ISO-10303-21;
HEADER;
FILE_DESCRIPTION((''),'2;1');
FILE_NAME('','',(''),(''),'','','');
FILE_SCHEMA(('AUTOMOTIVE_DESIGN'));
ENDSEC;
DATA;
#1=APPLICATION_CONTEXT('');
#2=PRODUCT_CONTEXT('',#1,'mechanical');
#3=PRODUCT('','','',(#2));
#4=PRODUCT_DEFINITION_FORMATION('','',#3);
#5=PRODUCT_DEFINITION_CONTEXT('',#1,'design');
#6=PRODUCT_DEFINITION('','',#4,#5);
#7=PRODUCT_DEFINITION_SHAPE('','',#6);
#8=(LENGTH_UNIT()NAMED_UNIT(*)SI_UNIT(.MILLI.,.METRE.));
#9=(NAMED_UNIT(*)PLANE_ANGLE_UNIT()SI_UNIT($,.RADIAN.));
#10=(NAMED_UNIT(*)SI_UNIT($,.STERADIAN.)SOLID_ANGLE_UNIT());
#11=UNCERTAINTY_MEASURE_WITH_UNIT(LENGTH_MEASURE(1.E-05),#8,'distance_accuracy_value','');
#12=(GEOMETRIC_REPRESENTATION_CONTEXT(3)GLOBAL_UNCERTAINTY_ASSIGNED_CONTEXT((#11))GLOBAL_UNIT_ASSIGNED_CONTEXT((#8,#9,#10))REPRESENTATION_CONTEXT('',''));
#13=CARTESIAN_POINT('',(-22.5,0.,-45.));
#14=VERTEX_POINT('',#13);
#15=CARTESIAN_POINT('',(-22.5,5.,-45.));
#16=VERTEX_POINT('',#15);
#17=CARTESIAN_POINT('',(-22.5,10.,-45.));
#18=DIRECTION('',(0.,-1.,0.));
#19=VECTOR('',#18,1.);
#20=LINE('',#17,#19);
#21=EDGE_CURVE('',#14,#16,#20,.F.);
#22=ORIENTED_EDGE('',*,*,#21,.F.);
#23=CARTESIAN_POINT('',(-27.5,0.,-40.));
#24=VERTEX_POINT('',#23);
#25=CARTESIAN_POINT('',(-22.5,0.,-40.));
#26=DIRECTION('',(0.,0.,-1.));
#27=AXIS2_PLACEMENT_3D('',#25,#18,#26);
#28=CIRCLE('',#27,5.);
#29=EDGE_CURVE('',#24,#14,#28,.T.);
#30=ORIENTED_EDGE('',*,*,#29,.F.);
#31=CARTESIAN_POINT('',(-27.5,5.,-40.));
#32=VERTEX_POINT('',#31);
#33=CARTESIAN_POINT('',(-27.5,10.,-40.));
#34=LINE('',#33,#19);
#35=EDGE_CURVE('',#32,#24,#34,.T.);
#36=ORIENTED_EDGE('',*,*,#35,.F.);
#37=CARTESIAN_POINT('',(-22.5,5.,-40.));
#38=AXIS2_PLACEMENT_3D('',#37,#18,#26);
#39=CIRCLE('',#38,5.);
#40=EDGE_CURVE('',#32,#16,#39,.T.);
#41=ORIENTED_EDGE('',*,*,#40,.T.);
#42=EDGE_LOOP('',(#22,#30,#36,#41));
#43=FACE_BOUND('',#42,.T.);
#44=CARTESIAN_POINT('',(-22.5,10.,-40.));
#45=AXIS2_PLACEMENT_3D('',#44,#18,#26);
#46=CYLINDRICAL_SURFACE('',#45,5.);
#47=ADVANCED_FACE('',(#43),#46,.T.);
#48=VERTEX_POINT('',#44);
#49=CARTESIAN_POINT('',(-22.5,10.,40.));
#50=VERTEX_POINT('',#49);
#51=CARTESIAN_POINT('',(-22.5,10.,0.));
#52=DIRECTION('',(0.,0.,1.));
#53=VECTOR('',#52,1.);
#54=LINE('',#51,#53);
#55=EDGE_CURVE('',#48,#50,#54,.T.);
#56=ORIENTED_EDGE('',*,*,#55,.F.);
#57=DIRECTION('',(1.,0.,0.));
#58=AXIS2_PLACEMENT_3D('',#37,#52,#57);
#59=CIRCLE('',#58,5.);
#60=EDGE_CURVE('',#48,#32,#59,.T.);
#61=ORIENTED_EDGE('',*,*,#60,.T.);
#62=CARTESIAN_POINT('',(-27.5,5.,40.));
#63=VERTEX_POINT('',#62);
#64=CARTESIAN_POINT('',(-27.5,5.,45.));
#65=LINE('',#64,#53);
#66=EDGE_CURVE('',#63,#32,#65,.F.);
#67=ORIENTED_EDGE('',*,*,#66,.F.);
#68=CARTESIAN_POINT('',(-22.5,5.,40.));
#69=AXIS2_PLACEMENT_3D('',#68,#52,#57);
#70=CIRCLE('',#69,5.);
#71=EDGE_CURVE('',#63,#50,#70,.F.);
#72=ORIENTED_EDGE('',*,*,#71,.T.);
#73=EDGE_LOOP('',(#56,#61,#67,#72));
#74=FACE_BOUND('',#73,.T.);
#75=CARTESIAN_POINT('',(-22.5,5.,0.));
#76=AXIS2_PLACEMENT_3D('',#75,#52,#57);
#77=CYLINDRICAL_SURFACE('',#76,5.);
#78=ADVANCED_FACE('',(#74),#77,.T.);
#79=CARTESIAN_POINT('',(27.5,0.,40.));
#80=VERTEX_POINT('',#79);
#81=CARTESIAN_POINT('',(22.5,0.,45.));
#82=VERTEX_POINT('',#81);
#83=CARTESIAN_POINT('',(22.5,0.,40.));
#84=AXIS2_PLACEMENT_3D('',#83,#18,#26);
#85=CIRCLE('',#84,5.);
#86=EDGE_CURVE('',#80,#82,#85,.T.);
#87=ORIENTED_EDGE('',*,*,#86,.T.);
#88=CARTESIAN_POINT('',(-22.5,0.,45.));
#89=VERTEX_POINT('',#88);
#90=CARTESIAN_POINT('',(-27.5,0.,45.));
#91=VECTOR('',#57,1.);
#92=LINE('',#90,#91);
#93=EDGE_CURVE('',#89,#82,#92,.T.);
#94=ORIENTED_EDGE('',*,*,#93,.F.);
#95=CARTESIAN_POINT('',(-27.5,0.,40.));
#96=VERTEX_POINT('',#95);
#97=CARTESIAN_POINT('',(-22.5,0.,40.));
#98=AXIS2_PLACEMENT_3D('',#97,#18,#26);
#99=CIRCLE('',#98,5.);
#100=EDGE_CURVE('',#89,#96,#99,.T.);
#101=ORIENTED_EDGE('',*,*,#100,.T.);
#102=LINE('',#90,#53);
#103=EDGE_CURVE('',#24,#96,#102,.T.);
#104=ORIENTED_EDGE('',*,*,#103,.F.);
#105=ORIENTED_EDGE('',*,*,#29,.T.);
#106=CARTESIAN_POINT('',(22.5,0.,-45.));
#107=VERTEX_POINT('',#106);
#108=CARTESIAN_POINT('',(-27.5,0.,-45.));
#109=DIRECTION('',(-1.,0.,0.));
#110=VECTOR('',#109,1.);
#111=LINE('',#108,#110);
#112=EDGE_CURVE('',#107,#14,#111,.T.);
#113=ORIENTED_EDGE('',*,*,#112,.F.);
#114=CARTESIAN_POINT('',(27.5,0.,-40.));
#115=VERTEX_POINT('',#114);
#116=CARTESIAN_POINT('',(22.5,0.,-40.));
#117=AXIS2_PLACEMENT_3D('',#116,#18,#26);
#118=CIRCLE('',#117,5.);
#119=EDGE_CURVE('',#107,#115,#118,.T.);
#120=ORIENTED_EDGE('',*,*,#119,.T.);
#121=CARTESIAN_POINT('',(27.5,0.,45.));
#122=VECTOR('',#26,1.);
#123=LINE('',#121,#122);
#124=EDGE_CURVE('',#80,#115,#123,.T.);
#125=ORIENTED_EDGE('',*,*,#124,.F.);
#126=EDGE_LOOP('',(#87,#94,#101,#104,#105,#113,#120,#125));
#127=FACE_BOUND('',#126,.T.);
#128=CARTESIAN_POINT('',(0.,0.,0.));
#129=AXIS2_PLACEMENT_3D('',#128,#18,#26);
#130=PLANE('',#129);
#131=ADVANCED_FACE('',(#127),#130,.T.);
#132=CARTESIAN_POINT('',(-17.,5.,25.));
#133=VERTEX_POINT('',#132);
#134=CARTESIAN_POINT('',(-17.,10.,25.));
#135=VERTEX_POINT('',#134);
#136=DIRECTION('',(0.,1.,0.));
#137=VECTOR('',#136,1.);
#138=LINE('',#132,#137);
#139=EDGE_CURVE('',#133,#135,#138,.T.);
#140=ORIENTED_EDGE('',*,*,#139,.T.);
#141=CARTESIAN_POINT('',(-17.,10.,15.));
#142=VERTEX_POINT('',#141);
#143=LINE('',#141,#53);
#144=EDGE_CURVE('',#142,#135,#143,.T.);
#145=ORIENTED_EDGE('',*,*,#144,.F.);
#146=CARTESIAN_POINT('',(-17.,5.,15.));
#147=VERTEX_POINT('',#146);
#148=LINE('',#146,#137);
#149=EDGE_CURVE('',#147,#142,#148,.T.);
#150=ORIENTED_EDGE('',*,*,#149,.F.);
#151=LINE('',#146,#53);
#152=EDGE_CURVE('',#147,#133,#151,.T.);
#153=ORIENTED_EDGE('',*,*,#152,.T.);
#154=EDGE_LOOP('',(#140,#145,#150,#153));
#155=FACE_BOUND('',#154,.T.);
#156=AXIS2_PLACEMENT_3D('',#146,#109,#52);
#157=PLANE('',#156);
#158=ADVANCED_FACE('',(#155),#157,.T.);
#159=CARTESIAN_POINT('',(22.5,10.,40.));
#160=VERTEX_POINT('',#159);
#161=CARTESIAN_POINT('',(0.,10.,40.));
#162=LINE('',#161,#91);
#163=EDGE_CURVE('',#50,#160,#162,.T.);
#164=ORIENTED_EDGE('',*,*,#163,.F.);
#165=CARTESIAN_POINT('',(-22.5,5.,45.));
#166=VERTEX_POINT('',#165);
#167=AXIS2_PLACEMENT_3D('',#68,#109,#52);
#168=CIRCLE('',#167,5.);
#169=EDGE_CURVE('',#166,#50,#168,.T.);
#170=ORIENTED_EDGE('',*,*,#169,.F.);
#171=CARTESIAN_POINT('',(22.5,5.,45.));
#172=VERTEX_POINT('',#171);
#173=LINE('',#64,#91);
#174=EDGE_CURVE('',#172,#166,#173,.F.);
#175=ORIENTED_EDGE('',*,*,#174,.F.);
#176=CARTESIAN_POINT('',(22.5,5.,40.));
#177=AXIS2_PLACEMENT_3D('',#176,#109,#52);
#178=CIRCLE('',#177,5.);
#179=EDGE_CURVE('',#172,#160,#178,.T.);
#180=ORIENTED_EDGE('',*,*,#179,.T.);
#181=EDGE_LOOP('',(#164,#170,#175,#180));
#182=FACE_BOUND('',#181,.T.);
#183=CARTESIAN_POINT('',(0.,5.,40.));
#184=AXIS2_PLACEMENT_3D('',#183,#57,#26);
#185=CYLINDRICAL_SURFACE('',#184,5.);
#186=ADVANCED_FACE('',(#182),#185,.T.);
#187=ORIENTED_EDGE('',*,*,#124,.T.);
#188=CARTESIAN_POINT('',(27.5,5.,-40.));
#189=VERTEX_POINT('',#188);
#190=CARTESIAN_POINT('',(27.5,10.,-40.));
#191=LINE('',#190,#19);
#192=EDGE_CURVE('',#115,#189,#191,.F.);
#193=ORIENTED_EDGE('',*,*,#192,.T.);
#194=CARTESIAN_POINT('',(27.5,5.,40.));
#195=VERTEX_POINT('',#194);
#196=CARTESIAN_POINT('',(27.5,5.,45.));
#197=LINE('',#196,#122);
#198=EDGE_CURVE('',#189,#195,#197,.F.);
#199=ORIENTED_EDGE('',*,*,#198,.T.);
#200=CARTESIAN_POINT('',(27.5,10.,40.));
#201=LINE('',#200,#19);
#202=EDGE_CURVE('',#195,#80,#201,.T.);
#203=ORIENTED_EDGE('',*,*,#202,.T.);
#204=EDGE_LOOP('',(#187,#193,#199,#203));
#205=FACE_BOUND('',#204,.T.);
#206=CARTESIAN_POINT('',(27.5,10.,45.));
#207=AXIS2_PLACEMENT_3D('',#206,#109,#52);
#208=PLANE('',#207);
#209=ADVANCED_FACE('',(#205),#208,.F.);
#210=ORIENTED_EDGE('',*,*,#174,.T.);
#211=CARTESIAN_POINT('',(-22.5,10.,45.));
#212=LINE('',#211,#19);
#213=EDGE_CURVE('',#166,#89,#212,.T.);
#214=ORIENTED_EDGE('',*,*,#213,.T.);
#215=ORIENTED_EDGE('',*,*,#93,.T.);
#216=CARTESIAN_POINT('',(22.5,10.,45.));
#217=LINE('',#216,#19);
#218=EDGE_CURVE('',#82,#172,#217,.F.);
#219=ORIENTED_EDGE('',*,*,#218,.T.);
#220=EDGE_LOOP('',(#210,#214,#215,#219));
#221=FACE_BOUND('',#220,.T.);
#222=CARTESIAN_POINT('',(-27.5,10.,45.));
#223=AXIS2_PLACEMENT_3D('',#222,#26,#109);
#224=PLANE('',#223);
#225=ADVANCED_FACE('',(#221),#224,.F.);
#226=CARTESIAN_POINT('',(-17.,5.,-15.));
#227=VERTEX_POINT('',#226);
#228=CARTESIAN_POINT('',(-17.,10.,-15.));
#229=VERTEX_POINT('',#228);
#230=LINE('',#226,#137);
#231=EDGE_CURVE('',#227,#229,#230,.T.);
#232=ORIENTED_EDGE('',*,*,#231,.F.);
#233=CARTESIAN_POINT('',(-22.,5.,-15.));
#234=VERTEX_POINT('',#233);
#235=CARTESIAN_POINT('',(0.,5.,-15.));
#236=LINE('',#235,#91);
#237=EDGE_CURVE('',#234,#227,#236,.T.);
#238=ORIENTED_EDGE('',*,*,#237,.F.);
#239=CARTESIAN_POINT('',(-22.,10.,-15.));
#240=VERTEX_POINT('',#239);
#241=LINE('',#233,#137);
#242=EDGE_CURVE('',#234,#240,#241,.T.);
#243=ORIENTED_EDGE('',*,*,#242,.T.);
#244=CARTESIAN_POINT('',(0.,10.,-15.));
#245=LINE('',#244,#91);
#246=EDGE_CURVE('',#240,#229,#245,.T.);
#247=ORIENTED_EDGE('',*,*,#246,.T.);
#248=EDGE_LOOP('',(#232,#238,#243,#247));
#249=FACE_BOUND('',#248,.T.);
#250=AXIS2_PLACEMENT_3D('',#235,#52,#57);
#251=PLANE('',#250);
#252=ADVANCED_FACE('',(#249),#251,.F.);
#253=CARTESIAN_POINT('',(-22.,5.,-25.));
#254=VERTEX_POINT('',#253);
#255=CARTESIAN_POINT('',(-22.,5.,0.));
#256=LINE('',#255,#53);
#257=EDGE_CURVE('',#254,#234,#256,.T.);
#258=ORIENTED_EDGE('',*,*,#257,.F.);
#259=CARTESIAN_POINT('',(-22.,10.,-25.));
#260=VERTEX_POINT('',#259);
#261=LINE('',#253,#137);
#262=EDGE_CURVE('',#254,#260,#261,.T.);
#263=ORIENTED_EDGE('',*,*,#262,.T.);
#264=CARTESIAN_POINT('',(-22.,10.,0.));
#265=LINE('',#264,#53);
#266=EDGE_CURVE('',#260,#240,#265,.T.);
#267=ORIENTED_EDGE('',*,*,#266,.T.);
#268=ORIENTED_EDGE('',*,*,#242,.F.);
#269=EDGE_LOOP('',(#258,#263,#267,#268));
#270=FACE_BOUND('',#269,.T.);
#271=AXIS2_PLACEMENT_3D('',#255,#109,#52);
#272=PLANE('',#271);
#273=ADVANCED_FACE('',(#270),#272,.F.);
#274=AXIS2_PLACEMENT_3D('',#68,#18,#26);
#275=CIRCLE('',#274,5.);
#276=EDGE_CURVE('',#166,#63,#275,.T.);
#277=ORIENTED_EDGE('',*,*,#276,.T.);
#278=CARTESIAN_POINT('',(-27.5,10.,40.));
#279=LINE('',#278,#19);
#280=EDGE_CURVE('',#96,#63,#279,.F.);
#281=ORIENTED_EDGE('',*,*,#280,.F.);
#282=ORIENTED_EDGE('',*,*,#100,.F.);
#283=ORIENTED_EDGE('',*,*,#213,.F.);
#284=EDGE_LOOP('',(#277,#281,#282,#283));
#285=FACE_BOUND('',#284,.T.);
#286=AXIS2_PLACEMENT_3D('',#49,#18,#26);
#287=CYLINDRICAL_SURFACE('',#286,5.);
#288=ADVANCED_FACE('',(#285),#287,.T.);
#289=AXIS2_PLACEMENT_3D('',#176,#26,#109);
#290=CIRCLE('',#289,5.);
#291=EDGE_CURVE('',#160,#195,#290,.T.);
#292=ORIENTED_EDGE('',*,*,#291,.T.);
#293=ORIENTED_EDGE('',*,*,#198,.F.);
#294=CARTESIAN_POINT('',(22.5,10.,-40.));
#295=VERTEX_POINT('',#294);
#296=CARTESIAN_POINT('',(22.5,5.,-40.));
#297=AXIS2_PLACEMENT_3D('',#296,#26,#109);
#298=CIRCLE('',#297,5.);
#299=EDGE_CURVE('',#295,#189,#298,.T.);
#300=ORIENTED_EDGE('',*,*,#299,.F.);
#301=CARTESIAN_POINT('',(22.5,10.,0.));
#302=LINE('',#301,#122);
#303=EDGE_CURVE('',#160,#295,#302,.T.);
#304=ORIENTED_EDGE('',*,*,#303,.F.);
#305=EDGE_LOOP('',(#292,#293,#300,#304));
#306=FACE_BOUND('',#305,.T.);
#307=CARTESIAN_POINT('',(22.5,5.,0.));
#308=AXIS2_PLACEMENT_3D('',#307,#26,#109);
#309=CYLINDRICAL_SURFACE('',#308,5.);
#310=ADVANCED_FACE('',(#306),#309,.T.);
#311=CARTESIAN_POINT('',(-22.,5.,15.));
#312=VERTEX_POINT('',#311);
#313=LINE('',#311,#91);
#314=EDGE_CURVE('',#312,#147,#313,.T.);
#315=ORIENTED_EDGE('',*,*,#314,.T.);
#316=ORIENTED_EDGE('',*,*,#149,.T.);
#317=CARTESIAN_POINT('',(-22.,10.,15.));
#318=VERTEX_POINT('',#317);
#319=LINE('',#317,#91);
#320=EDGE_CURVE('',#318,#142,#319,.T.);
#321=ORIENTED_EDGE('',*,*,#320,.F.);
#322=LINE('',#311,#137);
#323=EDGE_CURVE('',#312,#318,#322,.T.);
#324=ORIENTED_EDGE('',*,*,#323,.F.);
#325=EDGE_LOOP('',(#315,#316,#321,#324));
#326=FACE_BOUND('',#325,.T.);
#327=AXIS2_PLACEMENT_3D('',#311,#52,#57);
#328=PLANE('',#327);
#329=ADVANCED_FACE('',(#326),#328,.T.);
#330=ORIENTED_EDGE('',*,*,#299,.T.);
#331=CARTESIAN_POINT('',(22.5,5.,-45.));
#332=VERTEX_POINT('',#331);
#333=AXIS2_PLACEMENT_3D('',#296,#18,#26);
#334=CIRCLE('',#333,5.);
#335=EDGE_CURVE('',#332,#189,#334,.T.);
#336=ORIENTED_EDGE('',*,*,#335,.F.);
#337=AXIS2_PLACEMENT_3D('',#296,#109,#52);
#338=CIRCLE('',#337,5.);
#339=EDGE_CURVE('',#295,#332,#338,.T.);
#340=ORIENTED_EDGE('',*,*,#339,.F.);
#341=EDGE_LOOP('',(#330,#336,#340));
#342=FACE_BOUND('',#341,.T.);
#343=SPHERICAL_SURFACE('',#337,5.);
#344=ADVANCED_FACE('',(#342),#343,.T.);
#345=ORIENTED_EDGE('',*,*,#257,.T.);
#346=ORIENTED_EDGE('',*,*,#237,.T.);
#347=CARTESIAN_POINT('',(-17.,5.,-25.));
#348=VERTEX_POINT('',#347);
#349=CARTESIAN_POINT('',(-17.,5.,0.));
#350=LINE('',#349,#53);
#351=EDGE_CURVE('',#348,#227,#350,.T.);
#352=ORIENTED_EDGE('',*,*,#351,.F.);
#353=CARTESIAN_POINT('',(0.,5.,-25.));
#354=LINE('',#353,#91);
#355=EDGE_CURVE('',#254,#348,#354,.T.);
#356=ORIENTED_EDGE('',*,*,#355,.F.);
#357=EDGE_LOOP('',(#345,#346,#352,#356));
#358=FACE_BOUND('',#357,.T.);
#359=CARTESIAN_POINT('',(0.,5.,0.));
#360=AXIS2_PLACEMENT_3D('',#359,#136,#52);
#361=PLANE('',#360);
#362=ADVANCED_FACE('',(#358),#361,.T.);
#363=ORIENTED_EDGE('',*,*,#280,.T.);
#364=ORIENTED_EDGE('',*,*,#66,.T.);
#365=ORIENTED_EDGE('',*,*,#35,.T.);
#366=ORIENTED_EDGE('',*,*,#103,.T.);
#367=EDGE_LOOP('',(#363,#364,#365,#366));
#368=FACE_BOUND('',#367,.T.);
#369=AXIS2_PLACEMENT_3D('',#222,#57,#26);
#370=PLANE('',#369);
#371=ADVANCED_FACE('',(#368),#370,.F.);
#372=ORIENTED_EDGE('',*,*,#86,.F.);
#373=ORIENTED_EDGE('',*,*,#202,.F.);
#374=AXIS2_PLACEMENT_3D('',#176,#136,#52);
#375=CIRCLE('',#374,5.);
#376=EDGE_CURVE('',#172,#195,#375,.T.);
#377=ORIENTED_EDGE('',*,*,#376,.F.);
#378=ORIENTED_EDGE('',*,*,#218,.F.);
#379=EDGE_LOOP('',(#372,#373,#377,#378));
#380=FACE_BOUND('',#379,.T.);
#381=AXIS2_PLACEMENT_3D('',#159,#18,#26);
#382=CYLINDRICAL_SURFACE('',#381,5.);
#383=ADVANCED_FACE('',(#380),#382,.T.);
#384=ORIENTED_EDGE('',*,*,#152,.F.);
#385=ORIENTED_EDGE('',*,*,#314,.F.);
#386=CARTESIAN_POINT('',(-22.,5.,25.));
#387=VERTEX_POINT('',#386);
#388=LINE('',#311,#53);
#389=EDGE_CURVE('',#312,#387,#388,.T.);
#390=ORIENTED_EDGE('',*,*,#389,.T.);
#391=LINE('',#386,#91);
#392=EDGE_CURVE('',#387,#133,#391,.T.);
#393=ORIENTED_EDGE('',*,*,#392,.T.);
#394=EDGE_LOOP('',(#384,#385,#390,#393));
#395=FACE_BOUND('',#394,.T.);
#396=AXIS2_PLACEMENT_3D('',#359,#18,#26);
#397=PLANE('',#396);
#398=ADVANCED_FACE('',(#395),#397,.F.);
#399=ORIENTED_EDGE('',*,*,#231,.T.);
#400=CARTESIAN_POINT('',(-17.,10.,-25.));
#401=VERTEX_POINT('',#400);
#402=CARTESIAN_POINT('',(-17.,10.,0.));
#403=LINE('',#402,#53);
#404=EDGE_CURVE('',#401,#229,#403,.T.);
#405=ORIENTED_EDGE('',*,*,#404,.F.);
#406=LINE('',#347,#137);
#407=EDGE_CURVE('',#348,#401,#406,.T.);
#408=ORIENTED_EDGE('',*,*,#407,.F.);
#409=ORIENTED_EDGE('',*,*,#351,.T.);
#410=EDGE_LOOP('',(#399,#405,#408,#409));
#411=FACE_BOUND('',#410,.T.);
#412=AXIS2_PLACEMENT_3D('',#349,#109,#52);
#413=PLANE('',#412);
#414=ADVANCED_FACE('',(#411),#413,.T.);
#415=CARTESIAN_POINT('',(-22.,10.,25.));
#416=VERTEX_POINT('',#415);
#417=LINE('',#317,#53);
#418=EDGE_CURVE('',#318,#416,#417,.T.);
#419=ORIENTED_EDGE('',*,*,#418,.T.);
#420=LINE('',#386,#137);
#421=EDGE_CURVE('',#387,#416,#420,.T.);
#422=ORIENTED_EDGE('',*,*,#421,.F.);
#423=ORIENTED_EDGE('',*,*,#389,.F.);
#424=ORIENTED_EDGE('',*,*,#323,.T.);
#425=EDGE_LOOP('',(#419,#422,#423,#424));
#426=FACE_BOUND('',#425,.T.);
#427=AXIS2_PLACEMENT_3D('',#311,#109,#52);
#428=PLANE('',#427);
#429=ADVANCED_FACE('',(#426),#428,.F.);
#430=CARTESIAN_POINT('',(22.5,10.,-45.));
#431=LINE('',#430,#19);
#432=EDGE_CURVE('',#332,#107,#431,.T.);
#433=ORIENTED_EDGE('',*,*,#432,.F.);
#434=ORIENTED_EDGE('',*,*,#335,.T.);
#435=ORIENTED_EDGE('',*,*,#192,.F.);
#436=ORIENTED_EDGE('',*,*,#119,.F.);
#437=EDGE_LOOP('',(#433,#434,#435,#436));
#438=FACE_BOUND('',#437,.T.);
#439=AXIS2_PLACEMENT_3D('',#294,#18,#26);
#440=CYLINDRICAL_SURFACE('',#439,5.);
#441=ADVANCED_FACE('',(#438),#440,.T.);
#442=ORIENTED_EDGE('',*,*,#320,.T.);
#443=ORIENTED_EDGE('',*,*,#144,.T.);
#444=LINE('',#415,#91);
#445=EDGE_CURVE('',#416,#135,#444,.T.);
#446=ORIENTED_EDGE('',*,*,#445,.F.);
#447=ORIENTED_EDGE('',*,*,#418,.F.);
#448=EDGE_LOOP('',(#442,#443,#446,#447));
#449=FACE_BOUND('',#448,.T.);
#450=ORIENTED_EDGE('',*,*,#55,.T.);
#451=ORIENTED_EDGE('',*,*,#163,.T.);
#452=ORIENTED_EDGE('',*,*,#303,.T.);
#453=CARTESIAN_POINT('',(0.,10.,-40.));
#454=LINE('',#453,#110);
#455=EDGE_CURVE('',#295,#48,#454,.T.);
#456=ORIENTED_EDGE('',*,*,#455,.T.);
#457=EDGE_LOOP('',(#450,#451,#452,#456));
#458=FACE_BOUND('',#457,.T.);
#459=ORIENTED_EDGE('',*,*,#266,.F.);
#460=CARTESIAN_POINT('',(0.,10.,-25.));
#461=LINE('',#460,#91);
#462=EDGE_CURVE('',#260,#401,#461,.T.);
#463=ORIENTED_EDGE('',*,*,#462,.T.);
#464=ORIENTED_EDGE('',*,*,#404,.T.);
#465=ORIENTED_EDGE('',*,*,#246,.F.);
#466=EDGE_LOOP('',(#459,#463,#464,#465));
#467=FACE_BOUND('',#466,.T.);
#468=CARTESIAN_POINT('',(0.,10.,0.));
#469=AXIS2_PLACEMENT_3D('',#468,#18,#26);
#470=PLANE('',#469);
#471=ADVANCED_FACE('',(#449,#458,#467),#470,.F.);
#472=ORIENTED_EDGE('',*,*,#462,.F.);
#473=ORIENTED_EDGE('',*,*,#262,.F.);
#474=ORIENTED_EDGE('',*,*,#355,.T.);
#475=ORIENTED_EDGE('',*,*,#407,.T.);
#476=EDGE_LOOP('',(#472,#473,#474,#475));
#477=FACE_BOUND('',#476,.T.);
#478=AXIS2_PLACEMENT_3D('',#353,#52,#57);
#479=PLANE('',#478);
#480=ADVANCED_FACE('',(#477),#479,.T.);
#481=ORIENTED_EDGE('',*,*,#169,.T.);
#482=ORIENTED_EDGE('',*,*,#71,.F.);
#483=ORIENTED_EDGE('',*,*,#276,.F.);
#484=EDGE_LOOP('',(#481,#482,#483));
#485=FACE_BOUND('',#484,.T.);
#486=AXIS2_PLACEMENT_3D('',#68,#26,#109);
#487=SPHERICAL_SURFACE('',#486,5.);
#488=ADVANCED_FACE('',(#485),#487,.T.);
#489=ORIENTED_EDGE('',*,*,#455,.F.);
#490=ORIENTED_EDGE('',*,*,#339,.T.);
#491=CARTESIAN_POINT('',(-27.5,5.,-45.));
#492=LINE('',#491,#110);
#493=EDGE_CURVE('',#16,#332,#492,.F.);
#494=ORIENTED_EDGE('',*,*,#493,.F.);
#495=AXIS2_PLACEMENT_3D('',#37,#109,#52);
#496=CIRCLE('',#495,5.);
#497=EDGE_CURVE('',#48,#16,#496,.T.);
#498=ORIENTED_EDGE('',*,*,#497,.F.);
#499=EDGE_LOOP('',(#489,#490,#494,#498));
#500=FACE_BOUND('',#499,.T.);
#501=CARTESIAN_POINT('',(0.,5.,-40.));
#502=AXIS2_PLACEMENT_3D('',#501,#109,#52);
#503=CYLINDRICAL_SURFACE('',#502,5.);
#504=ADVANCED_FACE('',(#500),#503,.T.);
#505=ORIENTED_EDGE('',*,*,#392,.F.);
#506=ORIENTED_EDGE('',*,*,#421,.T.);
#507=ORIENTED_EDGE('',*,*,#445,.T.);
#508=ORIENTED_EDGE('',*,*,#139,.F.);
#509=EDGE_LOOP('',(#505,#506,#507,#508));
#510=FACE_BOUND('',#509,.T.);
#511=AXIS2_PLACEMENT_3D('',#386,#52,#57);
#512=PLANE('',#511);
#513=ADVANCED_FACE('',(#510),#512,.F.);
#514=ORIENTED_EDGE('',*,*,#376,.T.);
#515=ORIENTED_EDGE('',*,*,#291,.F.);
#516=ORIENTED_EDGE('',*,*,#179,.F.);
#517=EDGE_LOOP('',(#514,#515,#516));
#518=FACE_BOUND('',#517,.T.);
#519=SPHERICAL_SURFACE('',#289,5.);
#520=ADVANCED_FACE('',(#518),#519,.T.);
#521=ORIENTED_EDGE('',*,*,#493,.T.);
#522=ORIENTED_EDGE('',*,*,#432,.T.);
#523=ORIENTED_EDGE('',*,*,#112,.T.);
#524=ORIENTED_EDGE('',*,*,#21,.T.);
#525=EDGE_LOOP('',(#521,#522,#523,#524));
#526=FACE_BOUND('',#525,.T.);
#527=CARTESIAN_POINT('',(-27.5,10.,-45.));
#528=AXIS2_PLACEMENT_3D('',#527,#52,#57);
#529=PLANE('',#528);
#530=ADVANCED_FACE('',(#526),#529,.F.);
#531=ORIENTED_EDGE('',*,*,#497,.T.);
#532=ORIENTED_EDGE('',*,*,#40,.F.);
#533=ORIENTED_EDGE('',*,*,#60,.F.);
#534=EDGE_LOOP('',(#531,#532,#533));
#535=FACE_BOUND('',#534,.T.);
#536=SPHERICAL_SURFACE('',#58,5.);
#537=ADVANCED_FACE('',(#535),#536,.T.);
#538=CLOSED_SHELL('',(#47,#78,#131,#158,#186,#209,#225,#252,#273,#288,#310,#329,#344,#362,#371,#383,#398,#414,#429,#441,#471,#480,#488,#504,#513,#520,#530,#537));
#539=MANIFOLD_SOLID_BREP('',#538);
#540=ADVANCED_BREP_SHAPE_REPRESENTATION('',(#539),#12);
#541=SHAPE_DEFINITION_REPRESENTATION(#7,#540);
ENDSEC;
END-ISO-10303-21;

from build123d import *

# Parameters (mm, degrees)
SKETCH_2_W          = 55
SKETCH_2_H          = 90
EXTRUDE_1_DEPTH     = 10
FILLET_1_R          = 5
FILLET_2_R          = 5
FILLET_3_R          = 5
FILLET_4_R          = 5
SKETCH_3_W          = 5
SKETCH_3_H          = 10
CUT_EXTRUDE_1_DEPTH = 5


with BuildPart() as part:
    # 草图2 → 凸台-拉伸1 (new body)
    with BuildSketch(Plane(origin=(0, 0, 0), x_dir=(1, 0, 0), z_dir=(0, 1, 0))):
        Rectangle(SKETCH_2_W, SKETCH_2_H)
    extrude(amount=EXTRUDE_1_DEPTH)

    # 圆角1
    fillet_1_edges = [part.edges().sort_by_distance(p)[0] for p in [
        (-27.5, 10, 0),
    ]]
    fillet(fillet_1_edges, radius=FILLET_1_R)

    # 圆角2
    fillet_2_edges = [part.edges().sort_by_distance(p)[0] for p in [
        (-27.5, 2.5, -45),
        (-26.035533906, 8.535533906, -45),
        (2.5, 10, -45),
    ]]
    fillet(fillet_2_edges, radius=FILLET_2_R)

    # 圆角3
    fillet_3_edges = [part.edges().sort_by_distance(p)[0] for p in [
        (27.5, 2.5, -45),
        (27.5, 8.535533906, -43.535533906),
        (27.5, 10, 2.5),
    ]]
    fillet(fillet_3_edges, radius=FILLET_3_R)

    # 圆角4
    fillet_4_edges = [part.edges().sort_by_distance(p)[0] for p in [
        (0, 10, 45),
        (-27.5, 2.5, 45),
        (-26.035533906, 8.535533906, 45),
        (27.5, 2.5, 45),
        (26.035533906, 8.535533906, 45),
    ]]
    fillet(fillet_4_edges, radius=FILLET_4_R)

    # 草图3 → 切除-拉伸1 (cut)
    with BuildSketch(Plane(origin=(0, 10, 0), x_dir=(1, 0, 0), z_dir=(0, 1, 0))):
        with Locations((-19.5, 20)):
            Rectangle(SKETCH_3_W, SKETCH_3_H)
        with Locations((-19.5, -20)):
            Rectangle(SKETCH_3_W, SKETCH_3_H)
    extrude(amount=-CUT_EXTRUDE_1_DEPTH, mode=Mode.SUBTRACT)


solid = part.part
